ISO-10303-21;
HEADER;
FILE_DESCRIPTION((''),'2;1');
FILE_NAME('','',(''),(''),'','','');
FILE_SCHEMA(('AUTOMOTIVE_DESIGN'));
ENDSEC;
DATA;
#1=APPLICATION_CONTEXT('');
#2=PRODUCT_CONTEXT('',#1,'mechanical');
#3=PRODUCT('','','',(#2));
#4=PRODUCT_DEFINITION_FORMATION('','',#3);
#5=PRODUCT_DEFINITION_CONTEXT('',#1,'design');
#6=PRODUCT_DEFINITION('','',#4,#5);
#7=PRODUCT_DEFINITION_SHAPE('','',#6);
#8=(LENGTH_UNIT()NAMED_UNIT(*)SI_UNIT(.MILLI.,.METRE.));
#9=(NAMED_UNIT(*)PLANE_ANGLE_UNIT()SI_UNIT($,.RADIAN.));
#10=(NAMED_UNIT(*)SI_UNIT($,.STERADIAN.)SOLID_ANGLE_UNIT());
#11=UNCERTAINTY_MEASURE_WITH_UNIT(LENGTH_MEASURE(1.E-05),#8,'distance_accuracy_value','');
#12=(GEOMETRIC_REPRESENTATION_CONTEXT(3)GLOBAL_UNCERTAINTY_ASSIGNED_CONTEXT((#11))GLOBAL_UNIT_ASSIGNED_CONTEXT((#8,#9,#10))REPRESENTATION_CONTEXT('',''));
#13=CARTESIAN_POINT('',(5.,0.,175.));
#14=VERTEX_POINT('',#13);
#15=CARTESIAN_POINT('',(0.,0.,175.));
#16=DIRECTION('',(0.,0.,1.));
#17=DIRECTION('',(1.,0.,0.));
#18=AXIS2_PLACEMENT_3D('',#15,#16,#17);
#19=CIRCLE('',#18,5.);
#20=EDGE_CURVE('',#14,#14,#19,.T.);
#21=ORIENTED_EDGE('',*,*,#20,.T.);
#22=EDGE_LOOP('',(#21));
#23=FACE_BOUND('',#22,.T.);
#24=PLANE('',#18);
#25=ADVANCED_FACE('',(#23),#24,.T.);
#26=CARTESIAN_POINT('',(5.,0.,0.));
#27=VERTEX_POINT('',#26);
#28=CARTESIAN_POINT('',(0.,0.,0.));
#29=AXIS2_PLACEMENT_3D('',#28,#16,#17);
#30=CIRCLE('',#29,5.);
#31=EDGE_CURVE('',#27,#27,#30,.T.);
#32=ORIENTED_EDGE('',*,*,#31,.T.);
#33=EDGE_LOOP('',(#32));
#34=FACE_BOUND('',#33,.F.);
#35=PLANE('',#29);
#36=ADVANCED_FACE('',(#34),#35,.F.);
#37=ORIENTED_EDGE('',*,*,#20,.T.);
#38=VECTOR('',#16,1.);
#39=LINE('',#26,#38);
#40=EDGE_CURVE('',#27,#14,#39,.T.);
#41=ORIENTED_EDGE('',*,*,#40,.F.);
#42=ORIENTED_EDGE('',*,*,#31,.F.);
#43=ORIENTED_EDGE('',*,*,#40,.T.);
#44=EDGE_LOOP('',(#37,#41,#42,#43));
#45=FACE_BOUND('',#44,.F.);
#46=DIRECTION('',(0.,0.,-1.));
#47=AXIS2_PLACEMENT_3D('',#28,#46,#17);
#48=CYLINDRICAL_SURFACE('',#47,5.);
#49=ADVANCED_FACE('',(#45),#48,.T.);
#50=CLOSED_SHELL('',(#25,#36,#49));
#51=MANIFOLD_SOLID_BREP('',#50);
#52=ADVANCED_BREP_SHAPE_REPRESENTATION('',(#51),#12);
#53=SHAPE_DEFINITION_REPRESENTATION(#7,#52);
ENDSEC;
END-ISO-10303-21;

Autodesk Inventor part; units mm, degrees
ref_plane "YZ Plane" through (0, 0, 0) normal (1, 0, 0) x (0, 1, 0)
ref_plane "XZ Plane" through (0, 0, 0) normal (0, 1, 0) x (-1, 0, 0)
ref_plane "XY Plane" through (0, 0, 0) normal (0, 0, 1) x (1, 0, 0)
sketch "Skizze1" plane through (0, 0, 0) normal (0, 0, 1) x (1, 0, 0)
  circle A0 centre (0, 0) radius 5
  dimension "d0" = 10
extrude "Extrusion1" add sketch "Skizze1" along normal blind 175
properties part number "BauteilWelle8"
